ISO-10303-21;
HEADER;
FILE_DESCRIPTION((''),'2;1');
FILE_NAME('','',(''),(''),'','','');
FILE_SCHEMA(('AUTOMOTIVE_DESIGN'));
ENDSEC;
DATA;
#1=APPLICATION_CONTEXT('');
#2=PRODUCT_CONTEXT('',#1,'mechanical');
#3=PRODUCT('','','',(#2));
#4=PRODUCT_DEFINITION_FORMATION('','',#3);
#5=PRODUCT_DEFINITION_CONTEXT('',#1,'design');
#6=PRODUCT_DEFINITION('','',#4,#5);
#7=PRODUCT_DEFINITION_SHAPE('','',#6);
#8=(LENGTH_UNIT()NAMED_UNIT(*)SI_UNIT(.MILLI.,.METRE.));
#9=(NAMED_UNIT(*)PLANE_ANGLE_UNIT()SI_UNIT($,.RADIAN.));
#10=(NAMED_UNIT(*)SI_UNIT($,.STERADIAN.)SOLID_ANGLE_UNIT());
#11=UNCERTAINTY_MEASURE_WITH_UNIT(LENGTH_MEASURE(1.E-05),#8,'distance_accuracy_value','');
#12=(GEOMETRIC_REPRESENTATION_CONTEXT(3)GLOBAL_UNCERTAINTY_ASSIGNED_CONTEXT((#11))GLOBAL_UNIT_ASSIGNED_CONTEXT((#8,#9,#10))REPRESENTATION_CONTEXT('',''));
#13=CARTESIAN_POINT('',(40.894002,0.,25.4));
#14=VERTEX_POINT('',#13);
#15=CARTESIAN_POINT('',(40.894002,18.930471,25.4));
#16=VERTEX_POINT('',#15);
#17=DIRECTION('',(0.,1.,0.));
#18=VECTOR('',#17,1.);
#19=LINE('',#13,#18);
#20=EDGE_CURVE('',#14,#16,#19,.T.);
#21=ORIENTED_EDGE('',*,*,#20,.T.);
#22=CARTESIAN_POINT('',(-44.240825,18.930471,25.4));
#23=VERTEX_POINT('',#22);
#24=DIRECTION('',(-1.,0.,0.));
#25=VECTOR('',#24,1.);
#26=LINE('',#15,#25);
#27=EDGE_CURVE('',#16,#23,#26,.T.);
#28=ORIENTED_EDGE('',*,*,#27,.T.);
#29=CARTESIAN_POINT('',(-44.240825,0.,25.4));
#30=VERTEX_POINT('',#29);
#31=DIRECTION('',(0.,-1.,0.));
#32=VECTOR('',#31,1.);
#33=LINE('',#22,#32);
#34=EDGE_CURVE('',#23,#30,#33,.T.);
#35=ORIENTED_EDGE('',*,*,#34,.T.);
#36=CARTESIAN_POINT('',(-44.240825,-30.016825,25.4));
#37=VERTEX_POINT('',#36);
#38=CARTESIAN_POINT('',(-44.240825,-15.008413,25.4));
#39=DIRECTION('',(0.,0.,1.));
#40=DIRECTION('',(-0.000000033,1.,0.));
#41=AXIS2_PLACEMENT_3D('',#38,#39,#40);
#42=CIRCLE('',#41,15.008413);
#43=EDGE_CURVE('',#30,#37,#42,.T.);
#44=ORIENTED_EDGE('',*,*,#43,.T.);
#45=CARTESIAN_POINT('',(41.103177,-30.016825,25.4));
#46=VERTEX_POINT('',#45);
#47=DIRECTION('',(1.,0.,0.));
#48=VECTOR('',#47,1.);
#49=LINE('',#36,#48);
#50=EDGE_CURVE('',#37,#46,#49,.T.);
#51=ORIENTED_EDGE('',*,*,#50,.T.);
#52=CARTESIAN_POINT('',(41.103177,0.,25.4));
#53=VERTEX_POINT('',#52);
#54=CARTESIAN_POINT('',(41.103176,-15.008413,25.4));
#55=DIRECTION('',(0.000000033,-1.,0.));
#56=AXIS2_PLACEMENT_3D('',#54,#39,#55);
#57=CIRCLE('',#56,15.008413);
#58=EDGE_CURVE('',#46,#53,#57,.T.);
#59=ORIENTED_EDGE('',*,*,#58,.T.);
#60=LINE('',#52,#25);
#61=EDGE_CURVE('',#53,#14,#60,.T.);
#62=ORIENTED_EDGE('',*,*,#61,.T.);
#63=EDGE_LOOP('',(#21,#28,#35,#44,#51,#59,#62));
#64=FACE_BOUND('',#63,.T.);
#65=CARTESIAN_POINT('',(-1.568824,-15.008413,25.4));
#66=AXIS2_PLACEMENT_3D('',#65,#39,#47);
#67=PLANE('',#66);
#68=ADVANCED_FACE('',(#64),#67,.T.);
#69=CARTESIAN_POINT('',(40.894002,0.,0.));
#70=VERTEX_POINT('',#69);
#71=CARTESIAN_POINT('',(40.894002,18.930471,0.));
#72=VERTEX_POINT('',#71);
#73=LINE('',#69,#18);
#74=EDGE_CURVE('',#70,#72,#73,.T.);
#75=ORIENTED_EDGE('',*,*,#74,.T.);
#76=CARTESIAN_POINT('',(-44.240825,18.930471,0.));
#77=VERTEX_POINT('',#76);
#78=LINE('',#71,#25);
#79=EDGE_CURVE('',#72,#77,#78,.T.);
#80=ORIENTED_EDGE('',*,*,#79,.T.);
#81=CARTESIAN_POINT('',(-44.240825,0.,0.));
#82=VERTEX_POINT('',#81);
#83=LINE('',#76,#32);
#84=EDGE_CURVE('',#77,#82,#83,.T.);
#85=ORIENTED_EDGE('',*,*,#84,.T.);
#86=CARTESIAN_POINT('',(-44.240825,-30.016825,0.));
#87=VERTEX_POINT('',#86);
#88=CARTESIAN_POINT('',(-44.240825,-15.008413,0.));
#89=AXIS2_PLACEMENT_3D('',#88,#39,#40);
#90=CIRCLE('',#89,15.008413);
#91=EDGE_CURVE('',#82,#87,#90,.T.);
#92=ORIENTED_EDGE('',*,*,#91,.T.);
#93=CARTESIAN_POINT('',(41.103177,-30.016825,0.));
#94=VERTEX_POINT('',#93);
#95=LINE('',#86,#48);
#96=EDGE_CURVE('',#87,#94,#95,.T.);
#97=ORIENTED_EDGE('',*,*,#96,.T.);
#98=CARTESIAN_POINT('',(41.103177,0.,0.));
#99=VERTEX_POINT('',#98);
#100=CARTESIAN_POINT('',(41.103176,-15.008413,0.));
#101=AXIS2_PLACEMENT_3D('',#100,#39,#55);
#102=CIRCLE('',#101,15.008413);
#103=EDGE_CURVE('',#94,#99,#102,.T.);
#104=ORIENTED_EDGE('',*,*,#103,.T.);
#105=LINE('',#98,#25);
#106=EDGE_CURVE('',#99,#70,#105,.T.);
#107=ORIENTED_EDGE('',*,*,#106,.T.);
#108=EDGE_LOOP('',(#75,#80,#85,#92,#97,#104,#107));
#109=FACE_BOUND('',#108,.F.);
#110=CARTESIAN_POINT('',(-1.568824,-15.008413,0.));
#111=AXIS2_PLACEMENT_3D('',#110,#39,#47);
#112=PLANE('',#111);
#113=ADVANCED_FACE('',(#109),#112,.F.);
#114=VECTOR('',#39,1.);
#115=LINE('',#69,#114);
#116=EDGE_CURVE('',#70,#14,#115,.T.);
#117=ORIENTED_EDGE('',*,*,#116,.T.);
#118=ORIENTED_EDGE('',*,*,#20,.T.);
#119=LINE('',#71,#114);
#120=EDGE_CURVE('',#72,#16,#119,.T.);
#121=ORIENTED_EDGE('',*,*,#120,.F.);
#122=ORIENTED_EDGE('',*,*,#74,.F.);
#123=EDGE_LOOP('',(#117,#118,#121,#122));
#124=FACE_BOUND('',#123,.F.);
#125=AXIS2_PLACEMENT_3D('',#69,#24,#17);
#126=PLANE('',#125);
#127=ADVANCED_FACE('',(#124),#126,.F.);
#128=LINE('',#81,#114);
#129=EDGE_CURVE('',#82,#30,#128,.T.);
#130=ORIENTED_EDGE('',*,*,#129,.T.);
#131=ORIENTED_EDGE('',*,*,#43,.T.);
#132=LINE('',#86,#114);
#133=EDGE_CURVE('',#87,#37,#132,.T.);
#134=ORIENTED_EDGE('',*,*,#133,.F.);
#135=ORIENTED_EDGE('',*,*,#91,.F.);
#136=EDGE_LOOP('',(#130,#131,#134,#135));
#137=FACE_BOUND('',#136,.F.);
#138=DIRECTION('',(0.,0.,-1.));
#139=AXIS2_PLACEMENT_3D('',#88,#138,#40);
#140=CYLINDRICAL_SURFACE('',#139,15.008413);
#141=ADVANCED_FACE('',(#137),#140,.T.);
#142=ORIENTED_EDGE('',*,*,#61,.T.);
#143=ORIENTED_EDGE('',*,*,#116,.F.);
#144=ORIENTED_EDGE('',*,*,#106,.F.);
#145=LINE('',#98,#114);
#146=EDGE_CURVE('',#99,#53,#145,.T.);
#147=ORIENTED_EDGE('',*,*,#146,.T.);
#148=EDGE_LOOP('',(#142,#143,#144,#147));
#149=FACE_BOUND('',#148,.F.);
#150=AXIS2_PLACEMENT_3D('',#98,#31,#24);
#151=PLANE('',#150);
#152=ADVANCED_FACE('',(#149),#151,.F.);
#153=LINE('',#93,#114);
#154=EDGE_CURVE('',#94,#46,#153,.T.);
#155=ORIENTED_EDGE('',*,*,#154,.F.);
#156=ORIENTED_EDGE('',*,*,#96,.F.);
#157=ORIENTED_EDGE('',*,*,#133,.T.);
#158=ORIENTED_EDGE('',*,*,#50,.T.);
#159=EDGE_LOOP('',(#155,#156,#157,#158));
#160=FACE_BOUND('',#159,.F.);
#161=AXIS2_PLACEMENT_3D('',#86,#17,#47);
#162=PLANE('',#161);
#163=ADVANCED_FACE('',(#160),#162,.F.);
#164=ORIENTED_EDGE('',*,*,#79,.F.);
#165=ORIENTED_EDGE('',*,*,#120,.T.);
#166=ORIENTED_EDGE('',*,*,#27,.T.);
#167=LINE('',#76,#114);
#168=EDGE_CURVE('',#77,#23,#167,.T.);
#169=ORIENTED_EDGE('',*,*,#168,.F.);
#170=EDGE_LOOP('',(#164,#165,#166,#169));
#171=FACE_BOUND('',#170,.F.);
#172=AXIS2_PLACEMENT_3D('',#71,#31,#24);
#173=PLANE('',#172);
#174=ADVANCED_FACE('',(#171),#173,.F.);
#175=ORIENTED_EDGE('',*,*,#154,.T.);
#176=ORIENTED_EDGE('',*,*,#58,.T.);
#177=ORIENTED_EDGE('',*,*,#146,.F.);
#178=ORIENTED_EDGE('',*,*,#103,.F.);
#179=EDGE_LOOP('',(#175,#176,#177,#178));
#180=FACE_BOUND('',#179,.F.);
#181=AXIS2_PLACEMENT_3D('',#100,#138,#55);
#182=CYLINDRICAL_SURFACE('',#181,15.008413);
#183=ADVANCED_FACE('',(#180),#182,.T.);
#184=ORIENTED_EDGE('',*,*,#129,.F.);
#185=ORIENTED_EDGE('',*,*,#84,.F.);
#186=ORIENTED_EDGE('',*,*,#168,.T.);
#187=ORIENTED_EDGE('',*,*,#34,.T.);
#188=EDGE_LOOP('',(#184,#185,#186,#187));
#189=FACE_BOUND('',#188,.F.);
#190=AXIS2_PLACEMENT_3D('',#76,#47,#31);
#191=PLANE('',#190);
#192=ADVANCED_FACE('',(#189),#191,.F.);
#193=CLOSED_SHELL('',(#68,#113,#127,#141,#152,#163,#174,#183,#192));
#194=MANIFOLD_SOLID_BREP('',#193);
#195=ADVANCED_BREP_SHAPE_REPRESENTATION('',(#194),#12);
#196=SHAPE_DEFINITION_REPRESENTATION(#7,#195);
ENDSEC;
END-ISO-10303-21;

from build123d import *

# Parameters (mm, degrees)
F1_DEPTH = 25.4


with BuildPart() as f1:
    # F0 (on Top) → F1 (new body)
    with BuildSketch(Plane.XY):
        with BuildLine():
            ThreePointArc((-44.240825, 0), (-59.249237, -15.008412), (-44.240825, -30.016825))
            Line((-44.240825, -30.016825), (-1.568824, -30.016825))
            Line((-1.568824, -30.016825), (40.475648, -30.016825))
            Line((40.475648, -30.016825), (41.103177, -30.016825))
            ThreePointArc((41.103177, -30.016825), (56.111589, -15.008412), (41.103177, 0))
            Line((41.103177, 0), (40.894002, 0))
            Line((40.894002, 0), (0, 0))
            Line((0, 0), (-1.568824, 0))
            Line((-1.568824, 0), (-44.240825, 0))
        make_face()
        Polygon((-44.240825, 18.930471), (-44.240825, 0), (-1.568824, 0), (0, 0), (40.894002, 0), (40.894002, 18.930471), align=None)
    extrude(amount=F1_DEPTH)


solid = f1.part
